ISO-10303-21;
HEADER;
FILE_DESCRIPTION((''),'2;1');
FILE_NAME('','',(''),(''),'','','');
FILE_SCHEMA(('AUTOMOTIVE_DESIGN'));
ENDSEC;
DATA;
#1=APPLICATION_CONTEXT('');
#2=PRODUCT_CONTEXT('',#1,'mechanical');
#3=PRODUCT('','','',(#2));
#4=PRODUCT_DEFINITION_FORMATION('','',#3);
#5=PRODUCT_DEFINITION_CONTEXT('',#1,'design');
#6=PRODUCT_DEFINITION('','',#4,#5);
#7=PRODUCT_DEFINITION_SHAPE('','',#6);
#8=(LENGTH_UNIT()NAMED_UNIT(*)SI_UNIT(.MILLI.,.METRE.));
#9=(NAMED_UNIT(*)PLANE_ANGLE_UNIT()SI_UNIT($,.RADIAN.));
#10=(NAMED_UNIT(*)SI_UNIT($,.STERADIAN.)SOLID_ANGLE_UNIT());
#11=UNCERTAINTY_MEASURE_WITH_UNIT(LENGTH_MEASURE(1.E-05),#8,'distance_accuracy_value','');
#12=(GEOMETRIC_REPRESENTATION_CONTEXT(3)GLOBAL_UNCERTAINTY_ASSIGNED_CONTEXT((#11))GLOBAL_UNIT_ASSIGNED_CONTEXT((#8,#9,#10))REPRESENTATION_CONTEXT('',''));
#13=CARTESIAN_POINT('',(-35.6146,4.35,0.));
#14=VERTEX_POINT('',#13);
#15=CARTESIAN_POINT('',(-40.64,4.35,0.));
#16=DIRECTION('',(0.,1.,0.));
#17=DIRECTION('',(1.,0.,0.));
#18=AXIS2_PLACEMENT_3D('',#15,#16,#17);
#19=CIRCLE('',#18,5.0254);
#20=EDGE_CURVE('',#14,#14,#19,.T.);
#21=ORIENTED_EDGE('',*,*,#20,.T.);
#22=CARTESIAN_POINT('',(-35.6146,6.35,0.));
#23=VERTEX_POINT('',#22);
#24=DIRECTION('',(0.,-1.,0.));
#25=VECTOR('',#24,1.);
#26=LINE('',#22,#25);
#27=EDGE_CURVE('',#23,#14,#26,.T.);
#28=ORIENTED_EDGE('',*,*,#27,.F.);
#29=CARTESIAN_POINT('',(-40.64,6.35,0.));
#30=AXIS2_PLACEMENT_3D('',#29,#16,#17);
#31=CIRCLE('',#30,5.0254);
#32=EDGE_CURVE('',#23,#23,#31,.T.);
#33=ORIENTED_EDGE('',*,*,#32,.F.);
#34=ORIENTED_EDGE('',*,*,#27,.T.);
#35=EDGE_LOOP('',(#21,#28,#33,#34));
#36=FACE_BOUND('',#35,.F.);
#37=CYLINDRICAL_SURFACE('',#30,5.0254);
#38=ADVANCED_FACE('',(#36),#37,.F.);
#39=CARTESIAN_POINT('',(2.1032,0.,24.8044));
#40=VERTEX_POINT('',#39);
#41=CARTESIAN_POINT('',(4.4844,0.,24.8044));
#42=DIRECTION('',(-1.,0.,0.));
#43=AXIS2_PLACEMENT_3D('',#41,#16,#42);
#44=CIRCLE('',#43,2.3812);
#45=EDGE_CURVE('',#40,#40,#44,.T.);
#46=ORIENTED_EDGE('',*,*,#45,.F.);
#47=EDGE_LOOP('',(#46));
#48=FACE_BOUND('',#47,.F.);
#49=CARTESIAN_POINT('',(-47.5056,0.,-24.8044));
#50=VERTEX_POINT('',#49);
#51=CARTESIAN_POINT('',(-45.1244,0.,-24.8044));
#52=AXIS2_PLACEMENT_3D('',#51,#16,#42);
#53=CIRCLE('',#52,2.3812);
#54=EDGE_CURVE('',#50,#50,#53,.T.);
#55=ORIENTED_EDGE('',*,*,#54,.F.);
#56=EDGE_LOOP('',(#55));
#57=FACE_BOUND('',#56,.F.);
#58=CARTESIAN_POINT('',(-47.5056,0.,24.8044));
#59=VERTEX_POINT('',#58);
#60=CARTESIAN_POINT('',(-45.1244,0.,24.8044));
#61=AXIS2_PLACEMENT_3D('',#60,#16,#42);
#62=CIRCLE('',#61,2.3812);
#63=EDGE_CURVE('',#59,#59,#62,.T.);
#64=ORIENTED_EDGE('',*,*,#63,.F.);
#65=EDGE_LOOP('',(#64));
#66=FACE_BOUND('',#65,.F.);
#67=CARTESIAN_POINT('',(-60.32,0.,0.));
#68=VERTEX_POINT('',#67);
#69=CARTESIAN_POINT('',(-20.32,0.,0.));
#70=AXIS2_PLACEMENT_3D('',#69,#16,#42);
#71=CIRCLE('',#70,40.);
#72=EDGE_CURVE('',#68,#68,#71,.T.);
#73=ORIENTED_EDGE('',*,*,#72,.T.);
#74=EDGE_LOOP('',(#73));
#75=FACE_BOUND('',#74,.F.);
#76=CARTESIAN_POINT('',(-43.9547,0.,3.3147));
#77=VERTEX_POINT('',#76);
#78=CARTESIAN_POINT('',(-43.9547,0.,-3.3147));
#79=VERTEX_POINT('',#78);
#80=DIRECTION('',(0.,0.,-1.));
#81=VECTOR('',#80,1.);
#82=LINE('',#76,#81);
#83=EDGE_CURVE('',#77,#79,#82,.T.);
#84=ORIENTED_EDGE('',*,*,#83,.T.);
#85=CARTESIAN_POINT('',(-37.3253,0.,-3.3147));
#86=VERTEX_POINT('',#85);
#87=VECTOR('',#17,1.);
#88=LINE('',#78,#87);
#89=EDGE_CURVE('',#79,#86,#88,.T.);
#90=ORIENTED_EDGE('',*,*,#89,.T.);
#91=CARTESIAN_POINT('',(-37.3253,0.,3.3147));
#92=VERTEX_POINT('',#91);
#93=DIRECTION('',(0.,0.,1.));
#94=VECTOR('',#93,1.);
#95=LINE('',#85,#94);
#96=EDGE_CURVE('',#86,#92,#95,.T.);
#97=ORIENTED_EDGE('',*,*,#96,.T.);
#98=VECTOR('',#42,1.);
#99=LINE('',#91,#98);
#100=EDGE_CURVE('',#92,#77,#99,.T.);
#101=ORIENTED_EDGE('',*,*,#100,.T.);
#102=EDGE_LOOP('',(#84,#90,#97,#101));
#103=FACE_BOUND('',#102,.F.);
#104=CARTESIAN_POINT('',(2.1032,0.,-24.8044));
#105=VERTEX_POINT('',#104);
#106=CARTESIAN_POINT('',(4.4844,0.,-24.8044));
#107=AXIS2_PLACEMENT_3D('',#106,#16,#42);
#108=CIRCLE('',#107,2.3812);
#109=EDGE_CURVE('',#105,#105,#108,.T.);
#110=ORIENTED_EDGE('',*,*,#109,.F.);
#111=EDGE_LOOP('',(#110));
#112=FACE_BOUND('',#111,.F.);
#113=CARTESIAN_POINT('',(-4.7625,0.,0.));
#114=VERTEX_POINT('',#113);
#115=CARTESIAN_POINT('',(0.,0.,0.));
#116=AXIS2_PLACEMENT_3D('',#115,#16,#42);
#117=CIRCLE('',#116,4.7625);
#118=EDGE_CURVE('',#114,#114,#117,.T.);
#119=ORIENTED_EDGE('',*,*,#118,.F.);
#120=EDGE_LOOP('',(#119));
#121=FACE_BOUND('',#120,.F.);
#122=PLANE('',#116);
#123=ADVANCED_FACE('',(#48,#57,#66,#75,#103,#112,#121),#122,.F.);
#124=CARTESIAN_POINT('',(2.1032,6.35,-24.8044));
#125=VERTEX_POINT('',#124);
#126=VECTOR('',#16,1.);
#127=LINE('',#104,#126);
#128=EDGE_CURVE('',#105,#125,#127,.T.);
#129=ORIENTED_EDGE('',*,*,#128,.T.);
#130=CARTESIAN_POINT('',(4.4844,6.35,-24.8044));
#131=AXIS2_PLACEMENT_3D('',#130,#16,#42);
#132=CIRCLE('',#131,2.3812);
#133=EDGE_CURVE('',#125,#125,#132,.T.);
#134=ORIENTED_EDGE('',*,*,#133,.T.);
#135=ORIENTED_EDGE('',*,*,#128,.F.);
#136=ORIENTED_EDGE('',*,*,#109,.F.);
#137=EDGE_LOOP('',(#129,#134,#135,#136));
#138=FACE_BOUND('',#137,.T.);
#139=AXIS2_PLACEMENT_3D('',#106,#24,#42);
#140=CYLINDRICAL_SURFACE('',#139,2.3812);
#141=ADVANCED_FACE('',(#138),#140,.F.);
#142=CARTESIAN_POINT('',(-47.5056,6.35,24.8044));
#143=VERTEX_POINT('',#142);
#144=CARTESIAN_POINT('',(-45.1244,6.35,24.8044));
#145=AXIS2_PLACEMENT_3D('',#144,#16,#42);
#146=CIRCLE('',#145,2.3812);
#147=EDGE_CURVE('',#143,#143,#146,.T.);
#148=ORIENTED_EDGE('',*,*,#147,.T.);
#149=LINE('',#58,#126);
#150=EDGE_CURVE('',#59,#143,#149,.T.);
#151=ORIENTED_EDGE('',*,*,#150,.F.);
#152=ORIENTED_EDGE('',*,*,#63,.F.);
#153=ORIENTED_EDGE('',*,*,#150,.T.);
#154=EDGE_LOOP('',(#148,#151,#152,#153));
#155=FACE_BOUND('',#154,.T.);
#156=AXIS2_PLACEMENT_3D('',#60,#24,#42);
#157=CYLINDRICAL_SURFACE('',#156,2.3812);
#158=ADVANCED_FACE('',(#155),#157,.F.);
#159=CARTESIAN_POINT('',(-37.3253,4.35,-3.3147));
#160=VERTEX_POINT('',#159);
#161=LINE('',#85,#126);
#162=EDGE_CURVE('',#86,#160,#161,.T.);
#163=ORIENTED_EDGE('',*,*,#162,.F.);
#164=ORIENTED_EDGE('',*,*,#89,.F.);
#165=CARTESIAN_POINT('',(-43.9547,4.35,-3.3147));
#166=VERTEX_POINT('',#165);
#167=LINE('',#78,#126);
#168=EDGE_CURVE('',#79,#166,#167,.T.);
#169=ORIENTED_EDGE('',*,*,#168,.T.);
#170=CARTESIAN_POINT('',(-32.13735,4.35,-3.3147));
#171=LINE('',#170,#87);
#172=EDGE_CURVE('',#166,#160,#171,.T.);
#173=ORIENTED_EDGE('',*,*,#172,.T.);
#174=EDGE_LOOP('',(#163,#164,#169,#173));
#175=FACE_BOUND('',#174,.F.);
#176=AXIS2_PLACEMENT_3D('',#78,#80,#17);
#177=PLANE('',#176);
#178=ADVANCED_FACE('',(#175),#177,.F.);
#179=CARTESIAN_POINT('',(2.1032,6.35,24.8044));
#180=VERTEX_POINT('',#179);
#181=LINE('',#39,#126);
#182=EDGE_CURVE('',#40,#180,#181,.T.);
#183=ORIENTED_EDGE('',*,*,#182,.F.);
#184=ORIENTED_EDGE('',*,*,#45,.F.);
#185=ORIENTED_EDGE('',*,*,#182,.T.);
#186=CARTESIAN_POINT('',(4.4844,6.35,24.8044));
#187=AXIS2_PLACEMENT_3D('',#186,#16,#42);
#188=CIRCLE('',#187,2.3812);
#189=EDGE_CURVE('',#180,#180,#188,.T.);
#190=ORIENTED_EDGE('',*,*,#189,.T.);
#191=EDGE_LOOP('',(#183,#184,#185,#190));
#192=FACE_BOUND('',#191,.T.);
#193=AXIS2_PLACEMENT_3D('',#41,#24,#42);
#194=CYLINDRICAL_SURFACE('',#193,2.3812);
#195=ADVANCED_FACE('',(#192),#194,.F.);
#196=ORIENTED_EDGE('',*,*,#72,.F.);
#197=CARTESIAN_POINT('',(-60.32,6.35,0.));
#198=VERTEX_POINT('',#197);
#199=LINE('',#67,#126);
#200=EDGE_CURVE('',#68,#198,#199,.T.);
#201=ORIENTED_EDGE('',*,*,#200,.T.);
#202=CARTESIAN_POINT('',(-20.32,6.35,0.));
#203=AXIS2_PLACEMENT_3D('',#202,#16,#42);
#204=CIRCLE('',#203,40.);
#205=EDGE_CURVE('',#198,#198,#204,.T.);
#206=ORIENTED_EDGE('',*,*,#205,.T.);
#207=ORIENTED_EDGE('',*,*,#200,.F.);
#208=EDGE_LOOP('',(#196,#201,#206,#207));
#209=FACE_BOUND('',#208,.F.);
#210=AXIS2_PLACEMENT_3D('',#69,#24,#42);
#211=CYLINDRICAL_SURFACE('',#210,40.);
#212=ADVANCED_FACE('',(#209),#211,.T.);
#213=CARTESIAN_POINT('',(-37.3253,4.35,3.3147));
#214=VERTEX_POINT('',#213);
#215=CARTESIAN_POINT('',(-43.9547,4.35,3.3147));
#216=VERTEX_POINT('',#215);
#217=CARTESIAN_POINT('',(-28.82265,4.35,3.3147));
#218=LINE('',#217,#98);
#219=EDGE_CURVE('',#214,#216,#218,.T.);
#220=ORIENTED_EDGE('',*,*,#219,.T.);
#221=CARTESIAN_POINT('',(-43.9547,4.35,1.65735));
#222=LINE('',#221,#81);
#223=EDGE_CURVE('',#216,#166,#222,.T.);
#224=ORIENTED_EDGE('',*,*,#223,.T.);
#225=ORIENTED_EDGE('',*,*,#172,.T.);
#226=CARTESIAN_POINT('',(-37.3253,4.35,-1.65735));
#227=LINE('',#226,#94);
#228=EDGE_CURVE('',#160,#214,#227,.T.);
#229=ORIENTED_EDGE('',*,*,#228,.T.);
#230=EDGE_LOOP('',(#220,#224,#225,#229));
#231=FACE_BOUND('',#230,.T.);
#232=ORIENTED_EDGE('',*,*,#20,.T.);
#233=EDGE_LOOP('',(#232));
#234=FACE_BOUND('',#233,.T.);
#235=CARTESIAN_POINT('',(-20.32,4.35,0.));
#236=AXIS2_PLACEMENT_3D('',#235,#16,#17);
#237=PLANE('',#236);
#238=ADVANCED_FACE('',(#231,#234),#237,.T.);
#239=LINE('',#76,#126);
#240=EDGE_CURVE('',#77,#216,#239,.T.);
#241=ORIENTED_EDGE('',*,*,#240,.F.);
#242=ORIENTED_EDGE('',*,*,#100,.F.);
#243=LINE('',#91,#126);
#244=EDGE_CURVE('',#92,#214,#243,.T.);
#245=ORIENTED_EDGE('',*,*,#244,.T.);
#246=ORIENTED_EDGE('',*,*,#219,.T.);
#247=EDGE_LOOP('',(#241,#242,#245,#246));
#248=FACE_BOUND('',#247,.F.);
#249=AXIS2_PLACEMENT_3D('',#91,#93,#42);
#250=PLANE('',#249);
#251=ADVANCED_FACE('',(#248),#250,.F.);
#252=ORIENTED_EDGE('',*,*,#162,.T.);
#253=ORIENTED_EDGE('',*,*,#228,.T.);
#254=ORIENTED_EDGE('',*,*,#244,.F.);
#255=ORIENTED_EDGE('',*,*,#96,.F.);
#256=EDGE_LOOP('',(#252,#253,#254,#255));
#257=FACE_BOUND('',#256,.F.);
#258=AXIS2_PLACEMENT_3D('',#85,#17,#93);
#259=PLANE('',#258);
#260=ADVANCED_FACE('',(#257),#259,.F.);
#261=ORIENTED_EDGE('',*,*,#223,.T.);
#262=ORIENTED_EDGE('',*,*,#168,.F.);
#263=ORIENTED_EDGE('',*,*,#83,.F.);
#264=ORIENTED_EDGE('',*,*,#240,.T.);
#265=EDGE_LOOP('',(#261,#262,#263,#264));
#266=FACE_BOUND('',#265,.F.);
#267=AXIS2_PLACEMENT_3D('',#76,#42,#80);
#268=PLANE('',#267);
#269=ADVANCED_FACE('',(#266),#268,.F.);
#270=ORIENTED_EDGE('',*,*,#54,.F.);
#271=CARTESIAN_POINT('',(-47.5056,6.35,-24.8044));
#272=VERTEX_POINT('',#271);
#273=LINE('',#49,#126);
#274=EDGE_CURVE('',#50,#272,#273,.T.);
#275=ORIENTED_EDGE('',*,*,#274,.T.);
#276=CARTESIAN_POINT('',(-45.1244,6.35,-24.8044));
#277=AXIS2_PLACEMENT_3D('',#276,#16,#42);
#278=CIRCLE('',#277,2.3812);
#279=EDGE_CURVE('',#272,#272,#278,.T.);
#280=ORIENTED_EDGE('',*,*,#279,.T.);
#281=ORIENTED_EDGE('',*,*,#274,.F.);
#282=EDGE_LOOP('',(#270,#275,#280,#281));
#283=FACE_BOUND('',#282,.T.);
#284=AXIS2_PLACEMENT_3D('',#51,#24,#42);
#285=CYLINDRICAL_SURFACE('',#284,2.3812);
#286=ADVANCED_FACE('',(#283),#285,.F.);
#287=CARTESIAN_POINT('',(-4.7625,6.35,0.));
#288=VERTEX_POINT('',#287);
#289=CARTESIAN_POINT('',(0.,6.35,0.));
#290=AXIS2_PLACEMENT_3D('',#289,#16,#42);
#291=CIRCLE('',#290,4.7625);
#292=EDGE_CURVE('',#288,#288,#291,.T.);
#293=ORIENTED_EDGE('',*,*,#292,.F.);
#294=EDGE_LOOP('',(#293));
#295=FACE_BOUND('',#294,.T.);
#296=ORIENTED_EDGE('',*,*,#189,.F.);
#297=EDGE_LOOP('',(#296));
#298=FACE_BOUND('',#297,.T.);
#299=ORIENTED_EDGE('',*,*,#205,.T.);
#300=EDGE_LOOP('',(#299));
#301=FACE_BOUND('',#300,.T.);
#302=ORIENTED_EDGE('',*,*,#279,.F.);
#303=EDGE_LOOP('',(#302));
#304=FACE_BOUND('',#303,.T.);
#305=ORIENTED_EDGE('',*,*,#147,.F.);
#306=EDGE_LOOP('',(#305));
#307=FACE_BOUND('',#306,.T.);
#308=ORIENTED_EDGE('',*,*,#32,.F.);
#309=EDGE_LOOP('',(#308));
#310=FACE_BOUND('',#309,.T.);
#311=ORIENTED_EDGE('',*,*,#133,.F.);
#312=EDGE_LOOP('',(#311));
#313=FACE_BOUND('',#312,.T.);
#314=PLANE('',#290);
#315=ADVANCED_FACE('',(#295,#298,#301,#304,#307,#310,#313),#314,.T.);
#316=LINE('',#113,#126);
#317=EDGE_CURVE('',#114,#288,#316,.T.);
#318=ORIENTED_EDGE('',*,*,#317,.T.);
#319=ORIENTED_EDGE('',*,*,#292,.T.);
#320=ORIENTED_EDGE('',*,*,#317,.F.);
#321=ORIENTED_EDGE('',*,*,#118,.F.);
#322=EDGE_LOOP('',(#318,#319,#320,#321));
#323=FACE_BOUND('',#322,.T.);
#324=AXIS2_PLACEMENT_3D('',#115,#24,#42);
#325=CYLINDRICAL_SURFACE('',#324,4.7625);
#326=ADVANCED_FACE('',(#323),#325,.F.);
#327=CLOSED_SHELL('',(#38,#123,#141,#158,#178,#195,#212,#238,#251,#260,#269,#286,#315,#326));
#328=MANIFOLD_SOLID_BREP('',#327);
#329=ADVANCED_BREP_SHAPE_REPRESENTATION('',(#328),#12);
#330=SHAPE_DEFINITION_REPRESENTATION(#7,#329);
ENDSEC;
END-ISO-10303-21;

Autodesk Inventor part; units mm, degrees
ref_plane "YZ Plane" through (0, 0, 0) normal (1, 0, 0) x (0, 1, 0)
ref_plane "XZ Plane" through (0, 0, 0) normal (0, 1, 0) x (-1, 0, 0)
ref_plane "XY Plane" through (0, 0, 0) normal (0, 0, 1) x (1, 0, 0)
sketch "Sketch1" plane through (0, 0, 0) normal (0, 1, 0) x (-1, 0, 0)
  point P0 (0, 0)
sketch "Sketch2" plane through (0, 0, 0) normal (0, 1, 0) x (-1, 0, 0)
  circle A0 centre (0, 0) radius 4.7625
  circle A1 centre (20.32, 0) radius 40
  line L0 (20.32, -34.925) -> (20.32, 34.925) construction
  line L1 (29.845, -25.4) -> (29.845, 25.4) construction
  line L2 (10.795, 25.4) -> (10.795, -25.4) construction
  arc A2 (10.795, -25.4) -> (29.845, -25.4) centre (20.32, -25.4) ccw construction
  arc A3 (29.845, 25.4) -> (10.795, 25.4) centre (20.32, 25.4) ccw construction
  line L3 (-19.68, 0) -> (60.32, 0) construction
  circle A4 centre (0, 0) radius 20.32 construction
  circle A5 centre (40.64, 0) radius 20.32 construction
  circle A6 centre (20.32, 0) radius 40.64 construction
  line L4 (20.32, 0) -> (48.6043, -28.2843) construction
  line L5 (20.32, 0) -> (60.32, 0) construction
  circle A7 centre (45.1244, -24.8044) radius 2.3812
  circle A8 centre (45.1244, -24.8044) radius 4.9212 construction
  circle A9 centre (45.1244, 24.8044) radius 2.3812
  circle A10 centre (-4.4844, 24.8044) radius 2.3812
  circle A11 centre (-4.4844, -24.8044) radius 2.3812
  line L6 (43.9547, -3.3147) -> (37.3253, -3.3147)
  line L7 (37.3253, -3.3147) -> (37.3253, 3.3147)
  line L8 (37.3253, 3.3147) -> (43.9547, 3.3147)
  line L9 (43.9547, 3.3147) -> (43.9547, -3.3147)
  line L10 (43.9547, -3.3147) -> (37.3253, 3.3147) construction
  line L11 (37.3253, -3.3147) -> (43.9547, 3.3147) construction
  circle A12 centre (40.64, 0) radius 5.0254
  dimension "d5" = 40.64
  dimension "d0" = 9.525
  dimension "d1" = 80
  dimension "d2" = 19.05
  dimension "d3" = 69.85
  dimension "d6" = 81.28
  dimension "d7" = 45
  dimension "d8" = 4.7625
  dimension "d9" = 2.54
  dimension "d12" = 360
  dimension "d16" = 6.6294
  dimension "d18" = 10.0508
extrude "Extrusion1" add sketch "Sketch2" along normal blind 6.35 contours A1 | A12
sketch "Sketch3" plane through (-20.32, 6.35, 0) normal (0, 1, 0) x (1, 0, 0)
  circle A0 centre (-20.32, 0) radius 5.0254
  point P0 (20.32, 0)
  dimension "d19" = 10.0508
extrude "Extrusion2" cut sketch "Sketch3" against normal blind 2
properties part number "carriage"
